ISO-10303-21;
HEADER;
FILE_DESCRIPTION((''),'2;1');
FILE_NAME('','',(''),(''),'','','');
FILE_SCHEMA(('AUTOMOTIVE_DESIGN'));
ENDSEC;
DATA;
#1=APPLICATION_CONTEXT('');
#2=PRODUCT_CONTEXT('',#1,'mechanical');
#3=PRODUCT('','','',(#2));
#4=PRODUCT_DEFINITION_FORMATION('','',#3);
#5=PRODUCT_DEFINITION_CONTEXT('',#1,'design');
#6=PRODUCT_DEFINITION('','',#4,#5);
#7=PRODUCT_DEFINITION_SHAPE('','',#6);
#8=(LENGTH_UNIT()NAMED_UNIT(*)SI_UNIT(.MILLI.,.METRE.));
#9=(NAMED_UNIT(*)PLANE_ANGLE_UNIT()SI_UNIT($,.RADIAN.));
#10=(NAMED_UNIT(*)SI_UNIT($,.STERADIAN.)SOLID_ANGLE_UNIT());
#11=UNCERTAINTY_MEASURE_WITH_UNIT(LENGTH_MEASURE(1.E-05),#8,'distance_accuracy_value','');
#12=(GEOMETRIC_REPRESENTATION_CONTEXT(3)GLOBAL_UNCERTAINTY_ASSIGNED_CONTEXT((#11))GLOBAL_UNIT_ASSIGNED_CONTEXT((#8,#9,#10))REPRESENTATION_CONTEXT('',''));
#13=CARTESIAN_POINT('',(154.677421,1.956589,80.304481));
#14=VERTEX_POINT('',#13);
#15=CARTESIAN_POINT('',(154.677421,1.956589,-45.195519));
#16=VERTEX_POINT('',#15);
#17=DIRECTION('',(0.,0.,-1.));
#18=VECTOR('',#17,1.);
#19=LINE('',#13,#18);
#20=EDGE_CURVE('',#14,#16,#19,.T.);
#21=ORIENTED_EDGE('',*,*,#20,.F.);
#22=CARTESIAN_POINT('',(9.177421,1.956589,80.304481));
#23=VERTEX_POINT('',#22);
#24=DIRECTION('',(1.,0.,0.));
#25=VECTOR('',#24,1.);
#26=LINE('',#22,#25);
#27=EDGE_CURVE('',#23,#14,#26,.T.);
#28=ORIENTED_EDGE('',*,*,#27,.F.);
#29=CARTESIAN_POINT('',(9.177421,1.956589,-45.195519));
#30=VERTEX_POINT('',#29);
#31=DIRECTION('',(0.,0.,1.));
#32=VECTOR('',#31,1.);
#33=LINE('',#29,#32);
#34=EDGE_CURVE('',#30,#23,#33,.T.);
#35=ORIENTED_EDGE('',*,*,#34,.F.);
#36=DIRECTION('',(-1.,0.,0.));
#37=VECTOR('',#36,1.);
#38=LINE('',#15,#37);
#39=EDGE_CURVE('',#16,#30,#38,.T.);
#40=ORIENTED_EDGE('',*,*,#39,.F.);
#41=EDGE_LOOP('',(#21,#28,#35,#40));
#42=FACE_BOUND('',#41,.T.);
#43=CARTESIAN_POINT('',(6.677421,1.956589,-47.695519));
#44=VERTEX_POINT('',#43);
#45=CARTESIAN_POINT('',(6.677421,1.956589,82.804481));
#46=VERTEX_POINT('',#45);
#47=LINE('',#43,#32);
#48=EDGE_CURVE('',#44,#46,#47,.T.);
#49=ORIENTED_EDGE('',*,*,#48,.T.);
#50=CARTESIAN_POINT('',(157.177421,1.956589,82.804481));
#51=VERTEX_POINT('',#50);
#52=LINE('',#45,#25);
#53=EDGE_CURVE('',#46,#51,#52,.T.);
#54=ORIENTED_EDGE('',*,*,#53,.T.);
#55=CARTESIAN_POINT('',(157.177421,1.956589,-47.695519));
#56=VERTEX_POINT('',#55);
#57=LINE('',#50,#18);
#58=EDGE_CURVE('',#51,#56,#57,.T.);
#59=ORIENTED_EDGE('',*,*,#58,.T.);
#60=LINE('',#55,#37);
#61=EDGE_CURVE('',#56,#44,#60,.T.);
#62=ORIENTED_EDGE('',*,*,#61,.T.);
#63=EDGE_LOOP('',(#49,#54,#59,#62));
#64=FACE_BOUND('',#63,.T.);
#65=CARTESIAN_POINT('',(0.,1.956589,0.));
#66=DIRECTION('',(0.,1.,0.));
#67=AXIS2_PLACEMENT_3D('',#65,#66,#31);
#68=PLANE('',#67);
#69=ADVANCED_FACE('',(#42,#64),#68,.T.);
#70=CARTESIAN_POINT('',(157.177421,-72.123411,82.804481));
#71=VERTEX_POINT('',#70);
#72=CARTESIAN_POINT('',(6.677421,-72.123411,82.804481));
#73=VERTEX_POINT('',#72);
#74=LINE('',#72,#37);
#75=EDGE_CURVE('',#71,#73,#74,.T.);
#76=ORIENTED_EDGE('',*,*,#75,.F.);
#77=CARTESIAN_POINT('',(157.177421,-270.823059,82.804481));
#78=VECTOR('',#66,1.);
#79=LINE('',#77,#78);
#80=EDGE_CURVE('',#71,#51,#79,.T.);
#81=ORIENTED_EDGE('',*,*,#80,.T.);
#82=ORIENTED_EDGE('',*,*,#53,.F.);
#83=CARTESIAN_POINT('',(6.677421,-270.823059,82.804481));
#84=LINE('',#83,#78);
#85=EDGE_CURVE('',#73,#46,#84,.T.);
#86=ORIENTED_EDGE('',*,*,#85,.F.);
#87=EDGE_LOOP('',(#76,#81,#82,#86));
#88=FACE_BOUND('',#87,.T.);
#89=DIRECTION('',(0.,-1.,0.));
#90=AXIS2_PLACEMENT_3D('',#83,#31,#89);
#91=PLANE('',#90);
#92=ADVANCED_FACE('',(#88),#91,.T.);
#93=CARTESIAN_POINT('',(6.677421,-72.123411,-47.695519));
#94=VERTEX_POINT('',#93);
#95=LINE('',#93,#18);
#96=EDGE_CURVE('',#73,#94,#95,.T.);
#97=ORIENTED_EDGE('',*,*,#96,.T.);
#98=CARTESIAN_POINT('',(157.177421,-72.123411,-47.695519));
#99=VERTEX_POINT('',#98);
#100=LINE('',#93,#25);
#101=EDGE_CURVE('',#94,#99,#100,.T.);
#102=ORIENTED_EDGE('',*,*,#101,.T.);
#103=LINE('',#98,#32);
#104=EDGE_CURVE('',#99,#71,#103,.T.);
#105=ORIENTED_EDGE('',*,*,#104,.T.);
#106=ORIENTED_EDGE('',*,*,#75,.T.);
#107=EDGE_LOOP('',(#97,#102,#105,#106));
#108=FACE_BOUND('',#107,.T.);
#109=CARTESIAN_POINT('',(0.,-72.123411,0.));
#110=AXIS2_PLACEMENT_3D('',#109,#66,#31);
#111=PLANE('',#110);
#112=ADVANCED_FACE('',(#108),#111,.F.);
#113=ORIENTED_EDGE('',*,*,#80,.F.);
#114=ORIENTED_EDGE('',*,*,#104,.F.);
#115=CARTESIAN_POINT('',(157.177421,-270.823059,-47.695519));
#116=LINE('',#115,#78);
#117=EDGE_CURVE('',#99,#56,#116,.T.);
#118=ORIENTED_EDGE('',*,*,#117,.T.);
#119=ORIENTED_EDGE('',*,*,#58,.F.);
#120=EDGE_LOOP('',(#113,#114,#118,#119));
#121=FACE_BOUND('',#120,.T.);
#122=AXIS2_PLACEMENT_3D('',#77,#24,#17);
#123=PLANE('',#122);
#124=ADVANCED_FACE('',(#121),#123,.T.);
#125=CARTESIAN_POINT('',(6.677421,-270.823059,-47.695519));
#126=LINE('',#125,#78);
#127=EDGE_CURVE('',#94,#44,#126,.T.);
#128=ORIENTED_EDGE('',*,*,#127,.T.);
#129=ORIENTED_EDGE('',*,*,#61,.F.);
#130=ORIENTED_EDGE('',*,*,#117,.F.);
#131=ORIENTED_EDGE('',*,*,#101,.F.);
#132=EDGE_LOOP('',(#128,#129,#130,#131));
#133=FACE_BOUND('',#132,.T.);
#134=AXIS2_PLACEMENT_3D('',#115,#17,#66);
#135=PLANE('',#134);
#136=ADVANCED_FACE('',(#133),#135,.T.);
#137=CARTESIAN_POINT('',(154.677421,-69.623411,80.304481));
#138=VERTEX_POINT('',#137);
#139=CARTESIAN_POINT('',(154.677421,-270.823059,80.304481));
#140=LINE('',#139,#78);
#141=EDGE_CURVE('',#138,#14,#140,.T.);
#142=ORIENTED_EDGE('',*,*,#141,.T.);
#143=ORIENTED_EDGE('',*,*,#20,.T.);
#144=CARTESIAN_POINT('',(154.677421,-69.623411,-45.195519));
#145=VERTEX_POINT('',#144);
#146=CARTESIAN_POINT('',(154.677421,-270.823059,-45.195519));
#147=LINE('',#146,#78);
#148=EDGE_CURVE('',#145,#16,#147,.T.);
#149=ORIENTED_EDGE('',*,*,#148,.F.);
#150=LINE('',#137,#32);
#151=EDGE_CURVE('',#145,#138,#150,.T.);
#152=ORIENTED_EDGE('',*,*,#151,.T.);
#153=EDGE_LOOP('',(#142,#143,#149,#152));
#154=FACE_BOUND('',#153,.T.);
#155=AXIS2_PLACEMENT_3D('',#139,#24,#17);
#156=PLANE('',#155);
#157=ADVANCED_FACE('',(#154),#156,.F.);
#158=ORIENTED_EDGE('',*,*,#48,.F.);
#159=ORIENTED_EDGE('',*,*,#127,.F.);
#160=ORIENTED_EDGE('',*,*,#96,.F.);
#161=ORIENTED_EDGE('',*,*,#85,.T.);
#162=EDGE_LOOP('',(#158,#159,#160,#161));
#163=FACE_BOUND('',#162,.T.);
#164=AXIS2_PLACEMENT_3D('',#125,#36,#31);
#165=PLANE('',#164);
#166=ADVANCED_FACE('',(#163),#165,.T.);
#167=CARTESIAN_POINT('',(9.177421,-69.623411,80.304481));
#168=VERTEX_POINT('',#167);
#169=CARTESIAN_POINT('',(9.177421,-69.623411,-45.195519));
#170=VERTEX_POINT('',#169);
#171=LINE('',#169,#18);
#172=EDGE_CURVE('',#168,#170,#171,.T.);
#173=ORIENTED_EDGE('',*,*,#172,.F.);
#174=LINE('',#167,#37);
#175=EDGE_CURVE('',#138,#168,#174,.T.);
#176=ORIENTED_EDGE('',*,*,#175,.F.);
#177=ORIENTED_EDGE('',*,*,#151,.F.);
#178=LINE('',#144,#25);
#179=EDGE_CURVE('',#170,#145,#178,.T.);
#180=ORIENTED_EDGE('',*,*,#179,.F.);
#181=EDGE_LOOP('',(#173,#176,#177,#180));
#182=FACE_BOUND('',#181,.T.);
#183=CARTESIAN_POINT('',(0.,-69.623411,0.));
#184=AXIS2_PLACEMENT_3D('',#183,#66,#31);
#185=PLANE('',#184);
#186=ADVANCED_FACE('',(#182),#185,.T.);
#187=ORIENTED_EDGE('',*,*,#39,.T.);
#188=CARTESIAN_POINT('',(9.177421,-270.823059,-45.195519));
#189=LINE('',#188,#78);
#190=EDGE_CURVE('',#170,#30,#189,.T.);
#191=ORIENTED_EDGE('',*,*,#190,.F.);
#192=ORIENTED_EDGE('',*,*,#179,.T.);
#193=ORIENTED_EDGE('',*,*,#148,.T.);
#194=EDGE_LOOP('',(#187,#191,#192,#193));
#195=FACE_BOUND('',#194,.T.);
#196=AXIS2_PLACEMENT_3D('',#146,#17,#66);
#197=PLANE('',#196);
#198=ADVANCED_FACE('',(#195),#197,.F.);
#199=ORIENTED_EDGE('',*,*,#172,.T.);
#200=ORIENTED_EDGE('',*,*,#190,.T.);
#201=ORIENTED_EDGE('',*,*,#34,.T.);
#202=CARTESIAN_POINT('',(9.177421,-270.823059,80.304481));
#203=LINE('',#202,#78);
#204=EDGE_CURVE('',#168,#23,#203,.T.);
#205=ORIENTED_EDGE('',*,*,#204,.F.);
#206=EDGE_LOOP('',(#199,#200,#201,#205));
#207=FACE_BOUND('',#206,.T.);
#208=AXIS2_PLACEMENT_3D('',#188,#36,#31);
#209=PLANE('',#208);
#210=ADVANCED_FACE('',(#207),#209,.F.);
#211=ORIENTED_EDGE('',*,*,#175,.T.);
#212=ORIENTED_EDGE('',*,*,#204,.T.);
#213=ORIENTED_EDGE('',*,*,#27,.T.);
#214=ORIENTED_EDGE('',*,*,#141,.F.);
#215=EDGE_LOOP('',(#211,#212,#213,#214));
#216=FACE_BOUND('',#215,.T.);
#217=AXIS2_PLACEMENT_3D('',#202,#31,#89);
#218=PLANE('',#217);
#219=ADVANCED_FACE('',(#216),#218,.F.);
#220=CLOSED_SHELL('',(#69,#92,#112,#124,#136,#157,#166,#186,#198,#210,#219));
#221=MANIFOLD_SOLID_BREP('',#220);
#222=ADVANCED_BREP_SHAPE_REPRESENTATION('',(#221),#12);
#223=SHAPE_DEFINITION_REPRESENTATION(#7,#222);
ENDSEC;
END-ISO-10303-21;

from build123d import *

# Parameters (mm, degrees)
SKETCH1_W           = 150.5
SKETCH1_H           = 130.5
SKETCH1_W_2         = 145.5
SKETCH1_H_2         = 125.5
BOSS_EXTRUDE1_DEPTH = 71.58
SKETCH3_W           = 150.5
SKETCH3_H           = 130.5
BOSS_EXTRUDE2_DEPTH = 2.5


with BuildPart() as part:
    # Sketch1 → Boss-Extrude1 (new body)
    with BuildSketch(Plane(origin=(0, 1.956589097, 0), x_dir=(1, 0, 0), z_dir=(0, 1, 0))):
        with Locations((81.927421255, -17.554481305)):
            Rectangle(SKETCH1_W, SKETCH1_H)
        with Locations((81.927421255, -17.554481305)):
            Rectangle(SKETCH1_W_2, SKETCH1_H_2, mode=Mode.SUBTRACT)
    extrude(amount=-BOSS_EXTRUDE1_DEPTH)

    # Sketch3 → Boss-Extrude2 (add)
    with BuildSketch(Plane(origin=(0, -69.623410903, 0), x_dir=(-1, 0, 0), z_dir=(0, -1, 0))):
        with Locations((-81.927421255, -17.554481305)):
            Rectangle(SKETCH3_W, SKETCH3_H)
    extrude(amount=BOSS_EXTRUDE2_DEPTH)


solid = part.part
